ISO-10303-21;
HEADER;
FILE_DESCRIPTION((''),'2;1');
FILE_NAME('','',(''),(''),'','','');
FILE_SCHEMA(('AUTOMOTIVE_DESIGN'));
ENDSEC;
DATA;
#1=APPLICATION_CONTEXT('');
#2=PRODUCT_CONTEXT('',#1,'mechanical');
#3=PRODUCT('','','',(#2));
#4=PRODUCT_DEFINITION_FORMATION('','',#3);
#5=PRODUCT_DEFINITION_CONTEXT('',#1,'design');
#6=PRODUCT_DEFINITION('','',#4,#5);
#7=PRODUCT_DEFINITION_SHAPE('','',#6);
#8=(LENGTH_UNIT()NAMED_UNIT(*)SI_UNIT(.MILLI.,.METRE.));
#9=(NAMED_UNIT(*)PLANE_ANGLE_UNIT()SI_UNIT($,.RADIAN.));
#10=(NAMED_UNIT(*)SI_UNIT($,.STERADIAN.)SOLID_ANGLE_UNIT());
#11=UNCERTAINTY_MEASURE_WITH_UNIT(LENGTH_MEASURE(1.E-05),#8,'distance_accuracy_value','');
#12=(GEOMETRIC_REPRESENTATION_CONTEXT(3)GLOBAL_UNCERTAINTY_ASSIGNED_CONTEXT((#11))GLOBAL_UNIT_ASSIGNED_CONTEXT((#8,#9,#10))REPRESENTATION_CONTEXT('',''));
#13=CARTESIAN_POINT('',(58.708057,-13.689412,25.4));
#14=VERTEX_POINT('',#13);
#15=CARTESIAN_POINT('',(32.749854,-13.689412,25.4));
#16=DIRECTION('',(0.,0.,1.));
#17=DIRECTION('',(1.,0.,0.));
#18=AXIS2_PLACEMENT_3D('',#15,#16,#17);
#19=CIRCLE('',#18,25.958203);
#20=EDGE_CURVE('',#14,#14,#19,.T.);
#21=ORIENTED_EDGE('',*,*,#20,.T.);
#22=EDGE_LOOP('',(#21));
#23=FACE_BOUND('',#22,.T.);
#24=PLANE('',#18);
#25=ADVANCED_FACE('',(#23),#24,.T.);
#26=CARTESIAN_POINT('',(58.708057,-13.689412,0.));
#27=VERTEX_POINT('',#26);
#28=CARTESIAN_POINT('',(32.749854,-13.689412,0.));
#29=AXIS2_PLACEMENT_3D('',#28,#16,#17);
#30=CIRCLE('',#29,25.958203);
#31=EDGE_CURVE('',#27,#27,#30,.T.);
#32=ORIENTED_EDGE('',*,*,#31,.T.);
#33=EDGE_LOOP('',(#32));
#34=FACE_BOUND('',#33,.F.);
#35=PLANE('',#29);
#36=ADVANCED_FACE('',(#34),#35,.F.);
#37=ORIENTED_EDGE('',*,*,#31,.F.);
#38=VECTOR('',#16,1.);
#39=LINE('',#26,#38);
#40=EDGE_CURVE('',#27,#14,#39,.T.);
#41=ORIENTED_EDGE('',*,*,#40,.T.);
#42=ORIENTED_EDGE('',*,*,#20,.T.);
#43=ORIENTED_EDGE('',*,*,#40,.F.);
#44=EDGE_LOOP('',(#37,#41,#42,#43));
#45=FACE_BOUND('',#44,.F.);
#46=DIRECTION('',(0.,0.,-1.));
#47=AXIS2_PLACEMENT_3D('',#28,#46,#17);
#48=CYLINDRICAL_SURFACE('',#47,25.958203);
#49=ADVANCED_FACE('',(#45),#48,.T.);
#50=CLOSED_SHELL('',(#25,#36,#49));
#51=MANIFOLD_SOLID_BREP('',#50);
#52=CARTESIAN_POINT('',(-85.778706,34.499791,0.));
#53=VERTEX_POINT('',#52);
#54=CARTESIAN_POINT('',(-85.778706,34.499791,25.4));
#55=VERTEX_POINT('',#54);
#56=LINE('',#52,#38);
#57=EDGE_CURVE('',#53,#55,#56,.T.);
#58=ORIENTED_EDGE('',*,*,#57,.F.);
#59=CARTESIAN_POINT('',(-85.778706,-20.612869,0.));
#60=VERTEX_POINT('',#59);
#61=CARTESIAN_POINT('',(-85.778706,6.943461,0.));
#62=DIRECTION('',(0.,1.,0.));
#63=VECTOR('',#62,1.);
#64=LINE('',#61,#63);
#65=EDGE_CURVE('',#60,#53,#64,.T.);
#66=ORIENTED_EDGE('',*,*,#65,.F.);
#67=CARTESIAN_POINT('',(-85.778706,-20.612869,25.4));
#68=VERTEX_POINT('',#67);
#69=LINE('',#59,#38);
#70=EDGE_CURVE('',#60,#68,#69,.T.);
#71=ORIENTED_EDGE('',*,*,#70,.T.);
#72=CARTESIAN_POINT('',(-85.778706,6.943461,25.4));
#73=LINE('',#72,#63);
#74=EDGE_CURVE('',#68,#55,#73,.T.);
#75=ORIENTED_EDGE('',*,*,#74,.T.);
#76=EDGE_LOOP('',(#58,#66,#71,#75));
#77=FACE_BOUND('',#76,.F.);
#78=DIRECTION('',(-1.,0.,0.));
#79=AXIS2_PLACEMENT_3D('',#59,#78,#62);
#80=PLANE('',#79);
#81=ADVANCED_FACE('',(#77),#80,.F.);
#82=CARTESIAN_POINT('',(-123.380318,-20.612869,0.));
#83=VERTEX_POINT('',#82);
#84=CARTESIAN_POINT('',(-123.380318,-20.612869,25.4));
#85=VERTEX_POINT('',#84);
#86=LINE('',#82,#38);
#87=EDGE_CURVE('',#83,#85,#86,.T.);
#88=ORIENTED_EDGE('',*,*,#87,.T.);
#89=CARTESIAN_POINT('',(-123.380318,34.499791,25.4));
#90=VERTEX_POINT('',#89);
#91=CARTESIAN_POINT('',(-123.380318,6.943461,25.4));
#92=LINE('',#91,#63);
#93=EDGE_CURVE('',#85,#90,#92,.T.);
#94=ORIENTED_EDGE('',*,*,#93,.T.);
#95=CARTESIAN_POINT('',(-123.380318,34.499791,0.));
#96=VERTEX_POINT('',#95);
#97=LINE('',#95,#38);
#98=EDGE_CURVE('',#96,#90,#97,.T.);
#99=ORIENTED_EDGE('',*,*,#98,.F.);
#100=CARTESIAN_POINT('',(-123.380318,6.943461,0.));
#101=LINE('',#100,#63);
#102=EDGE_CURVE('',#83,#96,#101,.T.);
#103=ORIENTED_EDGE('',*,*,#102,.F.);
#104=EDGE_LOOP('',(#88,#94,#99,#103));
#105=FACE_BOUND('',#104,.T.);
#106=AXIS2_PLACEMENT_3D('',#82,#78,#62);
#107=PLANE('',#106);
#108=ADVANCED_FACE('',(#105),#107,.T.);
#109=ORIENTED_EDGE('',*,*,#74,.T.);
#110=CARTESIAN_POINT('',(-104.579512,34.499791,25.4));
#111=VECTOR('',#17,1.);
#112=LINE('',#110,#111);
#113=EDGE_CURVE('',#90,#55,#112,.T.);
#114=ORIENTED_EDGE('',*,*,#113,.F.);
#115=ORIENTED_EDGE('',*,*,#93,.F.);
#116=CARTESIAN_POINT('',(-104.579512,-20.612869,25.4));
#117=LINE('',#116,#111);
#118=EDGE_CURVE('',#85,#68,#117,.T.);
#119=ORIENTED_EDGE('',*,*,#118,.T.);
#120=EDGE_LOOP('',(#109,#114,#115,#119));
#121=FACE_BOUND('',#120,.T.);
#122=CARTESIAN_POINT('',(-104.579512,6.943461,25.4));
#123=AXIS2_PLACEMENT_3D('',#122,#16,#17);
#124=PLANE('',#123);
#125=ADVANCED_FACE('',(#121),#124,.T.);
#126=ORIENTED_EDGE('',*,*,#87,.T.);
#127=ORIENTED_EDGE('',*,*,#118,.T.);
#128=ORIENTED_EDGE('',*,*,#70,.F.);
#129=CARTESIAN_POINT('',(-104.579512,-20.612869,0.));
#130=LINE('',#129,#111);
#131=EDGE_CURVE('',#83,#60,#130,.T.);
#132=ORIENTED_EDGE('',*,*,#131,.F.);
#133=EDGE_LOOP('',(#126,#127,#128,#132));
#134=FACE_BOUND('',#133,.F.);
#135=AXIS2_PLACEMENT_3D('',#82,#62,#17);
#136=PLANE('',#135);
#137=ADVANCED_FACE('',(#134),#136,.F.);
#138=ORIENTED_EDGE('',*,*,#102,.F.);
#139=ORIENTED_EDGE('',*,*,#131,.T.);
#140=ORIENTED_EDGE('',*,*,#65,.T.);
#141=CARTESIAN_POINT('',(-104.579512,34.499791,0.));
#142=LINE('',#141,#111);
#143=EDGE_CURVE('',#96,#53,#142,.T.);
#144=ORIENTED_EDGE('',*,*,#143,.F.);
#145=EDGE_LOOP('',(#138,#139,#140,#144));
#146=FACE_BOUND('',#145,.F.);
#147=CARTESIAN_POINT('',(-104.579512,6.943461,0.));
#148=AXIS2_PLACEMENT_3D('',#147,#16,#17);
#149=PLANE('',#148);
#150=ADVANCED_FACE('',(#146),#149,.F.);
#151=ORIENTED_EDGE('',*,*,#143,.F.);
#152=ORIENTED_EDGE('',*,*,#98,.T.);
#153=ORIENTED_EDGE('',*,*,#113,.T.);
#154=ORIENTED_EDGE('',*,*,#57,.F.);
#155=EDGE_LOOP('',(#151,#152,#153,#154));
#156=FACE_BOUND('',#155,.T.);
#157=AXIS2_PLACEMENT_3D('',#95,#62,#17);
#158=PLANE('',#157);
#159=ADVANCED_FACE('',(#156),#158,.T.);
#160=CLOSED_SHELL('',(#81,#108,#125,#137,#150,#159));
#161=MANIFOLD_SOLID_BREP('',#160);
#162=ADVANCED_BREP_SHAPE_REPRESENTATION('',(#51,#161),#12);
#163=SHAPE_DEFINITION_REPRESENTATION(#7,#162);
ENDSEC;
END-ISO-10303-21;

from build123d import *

# Parameters (mm, degrees)
F0_W     = 37.601612
F0_H     = 55.11266
F0_R     = 25.958203
F1_DEPTH = 25.4


with BuildPart() as f1:
    # F0 (on Top) → F1 (new body)
    with BuildSketch(Plane.XY):
        with Locations((-104.579512, 6.943461)):
            Rectangle(F0_W, F0_H)
        with Locations((32.749854, -13.689412)):
            Circle(F0_R)
    extrude(amount=F1_DEPTH)


solid = f1.part
